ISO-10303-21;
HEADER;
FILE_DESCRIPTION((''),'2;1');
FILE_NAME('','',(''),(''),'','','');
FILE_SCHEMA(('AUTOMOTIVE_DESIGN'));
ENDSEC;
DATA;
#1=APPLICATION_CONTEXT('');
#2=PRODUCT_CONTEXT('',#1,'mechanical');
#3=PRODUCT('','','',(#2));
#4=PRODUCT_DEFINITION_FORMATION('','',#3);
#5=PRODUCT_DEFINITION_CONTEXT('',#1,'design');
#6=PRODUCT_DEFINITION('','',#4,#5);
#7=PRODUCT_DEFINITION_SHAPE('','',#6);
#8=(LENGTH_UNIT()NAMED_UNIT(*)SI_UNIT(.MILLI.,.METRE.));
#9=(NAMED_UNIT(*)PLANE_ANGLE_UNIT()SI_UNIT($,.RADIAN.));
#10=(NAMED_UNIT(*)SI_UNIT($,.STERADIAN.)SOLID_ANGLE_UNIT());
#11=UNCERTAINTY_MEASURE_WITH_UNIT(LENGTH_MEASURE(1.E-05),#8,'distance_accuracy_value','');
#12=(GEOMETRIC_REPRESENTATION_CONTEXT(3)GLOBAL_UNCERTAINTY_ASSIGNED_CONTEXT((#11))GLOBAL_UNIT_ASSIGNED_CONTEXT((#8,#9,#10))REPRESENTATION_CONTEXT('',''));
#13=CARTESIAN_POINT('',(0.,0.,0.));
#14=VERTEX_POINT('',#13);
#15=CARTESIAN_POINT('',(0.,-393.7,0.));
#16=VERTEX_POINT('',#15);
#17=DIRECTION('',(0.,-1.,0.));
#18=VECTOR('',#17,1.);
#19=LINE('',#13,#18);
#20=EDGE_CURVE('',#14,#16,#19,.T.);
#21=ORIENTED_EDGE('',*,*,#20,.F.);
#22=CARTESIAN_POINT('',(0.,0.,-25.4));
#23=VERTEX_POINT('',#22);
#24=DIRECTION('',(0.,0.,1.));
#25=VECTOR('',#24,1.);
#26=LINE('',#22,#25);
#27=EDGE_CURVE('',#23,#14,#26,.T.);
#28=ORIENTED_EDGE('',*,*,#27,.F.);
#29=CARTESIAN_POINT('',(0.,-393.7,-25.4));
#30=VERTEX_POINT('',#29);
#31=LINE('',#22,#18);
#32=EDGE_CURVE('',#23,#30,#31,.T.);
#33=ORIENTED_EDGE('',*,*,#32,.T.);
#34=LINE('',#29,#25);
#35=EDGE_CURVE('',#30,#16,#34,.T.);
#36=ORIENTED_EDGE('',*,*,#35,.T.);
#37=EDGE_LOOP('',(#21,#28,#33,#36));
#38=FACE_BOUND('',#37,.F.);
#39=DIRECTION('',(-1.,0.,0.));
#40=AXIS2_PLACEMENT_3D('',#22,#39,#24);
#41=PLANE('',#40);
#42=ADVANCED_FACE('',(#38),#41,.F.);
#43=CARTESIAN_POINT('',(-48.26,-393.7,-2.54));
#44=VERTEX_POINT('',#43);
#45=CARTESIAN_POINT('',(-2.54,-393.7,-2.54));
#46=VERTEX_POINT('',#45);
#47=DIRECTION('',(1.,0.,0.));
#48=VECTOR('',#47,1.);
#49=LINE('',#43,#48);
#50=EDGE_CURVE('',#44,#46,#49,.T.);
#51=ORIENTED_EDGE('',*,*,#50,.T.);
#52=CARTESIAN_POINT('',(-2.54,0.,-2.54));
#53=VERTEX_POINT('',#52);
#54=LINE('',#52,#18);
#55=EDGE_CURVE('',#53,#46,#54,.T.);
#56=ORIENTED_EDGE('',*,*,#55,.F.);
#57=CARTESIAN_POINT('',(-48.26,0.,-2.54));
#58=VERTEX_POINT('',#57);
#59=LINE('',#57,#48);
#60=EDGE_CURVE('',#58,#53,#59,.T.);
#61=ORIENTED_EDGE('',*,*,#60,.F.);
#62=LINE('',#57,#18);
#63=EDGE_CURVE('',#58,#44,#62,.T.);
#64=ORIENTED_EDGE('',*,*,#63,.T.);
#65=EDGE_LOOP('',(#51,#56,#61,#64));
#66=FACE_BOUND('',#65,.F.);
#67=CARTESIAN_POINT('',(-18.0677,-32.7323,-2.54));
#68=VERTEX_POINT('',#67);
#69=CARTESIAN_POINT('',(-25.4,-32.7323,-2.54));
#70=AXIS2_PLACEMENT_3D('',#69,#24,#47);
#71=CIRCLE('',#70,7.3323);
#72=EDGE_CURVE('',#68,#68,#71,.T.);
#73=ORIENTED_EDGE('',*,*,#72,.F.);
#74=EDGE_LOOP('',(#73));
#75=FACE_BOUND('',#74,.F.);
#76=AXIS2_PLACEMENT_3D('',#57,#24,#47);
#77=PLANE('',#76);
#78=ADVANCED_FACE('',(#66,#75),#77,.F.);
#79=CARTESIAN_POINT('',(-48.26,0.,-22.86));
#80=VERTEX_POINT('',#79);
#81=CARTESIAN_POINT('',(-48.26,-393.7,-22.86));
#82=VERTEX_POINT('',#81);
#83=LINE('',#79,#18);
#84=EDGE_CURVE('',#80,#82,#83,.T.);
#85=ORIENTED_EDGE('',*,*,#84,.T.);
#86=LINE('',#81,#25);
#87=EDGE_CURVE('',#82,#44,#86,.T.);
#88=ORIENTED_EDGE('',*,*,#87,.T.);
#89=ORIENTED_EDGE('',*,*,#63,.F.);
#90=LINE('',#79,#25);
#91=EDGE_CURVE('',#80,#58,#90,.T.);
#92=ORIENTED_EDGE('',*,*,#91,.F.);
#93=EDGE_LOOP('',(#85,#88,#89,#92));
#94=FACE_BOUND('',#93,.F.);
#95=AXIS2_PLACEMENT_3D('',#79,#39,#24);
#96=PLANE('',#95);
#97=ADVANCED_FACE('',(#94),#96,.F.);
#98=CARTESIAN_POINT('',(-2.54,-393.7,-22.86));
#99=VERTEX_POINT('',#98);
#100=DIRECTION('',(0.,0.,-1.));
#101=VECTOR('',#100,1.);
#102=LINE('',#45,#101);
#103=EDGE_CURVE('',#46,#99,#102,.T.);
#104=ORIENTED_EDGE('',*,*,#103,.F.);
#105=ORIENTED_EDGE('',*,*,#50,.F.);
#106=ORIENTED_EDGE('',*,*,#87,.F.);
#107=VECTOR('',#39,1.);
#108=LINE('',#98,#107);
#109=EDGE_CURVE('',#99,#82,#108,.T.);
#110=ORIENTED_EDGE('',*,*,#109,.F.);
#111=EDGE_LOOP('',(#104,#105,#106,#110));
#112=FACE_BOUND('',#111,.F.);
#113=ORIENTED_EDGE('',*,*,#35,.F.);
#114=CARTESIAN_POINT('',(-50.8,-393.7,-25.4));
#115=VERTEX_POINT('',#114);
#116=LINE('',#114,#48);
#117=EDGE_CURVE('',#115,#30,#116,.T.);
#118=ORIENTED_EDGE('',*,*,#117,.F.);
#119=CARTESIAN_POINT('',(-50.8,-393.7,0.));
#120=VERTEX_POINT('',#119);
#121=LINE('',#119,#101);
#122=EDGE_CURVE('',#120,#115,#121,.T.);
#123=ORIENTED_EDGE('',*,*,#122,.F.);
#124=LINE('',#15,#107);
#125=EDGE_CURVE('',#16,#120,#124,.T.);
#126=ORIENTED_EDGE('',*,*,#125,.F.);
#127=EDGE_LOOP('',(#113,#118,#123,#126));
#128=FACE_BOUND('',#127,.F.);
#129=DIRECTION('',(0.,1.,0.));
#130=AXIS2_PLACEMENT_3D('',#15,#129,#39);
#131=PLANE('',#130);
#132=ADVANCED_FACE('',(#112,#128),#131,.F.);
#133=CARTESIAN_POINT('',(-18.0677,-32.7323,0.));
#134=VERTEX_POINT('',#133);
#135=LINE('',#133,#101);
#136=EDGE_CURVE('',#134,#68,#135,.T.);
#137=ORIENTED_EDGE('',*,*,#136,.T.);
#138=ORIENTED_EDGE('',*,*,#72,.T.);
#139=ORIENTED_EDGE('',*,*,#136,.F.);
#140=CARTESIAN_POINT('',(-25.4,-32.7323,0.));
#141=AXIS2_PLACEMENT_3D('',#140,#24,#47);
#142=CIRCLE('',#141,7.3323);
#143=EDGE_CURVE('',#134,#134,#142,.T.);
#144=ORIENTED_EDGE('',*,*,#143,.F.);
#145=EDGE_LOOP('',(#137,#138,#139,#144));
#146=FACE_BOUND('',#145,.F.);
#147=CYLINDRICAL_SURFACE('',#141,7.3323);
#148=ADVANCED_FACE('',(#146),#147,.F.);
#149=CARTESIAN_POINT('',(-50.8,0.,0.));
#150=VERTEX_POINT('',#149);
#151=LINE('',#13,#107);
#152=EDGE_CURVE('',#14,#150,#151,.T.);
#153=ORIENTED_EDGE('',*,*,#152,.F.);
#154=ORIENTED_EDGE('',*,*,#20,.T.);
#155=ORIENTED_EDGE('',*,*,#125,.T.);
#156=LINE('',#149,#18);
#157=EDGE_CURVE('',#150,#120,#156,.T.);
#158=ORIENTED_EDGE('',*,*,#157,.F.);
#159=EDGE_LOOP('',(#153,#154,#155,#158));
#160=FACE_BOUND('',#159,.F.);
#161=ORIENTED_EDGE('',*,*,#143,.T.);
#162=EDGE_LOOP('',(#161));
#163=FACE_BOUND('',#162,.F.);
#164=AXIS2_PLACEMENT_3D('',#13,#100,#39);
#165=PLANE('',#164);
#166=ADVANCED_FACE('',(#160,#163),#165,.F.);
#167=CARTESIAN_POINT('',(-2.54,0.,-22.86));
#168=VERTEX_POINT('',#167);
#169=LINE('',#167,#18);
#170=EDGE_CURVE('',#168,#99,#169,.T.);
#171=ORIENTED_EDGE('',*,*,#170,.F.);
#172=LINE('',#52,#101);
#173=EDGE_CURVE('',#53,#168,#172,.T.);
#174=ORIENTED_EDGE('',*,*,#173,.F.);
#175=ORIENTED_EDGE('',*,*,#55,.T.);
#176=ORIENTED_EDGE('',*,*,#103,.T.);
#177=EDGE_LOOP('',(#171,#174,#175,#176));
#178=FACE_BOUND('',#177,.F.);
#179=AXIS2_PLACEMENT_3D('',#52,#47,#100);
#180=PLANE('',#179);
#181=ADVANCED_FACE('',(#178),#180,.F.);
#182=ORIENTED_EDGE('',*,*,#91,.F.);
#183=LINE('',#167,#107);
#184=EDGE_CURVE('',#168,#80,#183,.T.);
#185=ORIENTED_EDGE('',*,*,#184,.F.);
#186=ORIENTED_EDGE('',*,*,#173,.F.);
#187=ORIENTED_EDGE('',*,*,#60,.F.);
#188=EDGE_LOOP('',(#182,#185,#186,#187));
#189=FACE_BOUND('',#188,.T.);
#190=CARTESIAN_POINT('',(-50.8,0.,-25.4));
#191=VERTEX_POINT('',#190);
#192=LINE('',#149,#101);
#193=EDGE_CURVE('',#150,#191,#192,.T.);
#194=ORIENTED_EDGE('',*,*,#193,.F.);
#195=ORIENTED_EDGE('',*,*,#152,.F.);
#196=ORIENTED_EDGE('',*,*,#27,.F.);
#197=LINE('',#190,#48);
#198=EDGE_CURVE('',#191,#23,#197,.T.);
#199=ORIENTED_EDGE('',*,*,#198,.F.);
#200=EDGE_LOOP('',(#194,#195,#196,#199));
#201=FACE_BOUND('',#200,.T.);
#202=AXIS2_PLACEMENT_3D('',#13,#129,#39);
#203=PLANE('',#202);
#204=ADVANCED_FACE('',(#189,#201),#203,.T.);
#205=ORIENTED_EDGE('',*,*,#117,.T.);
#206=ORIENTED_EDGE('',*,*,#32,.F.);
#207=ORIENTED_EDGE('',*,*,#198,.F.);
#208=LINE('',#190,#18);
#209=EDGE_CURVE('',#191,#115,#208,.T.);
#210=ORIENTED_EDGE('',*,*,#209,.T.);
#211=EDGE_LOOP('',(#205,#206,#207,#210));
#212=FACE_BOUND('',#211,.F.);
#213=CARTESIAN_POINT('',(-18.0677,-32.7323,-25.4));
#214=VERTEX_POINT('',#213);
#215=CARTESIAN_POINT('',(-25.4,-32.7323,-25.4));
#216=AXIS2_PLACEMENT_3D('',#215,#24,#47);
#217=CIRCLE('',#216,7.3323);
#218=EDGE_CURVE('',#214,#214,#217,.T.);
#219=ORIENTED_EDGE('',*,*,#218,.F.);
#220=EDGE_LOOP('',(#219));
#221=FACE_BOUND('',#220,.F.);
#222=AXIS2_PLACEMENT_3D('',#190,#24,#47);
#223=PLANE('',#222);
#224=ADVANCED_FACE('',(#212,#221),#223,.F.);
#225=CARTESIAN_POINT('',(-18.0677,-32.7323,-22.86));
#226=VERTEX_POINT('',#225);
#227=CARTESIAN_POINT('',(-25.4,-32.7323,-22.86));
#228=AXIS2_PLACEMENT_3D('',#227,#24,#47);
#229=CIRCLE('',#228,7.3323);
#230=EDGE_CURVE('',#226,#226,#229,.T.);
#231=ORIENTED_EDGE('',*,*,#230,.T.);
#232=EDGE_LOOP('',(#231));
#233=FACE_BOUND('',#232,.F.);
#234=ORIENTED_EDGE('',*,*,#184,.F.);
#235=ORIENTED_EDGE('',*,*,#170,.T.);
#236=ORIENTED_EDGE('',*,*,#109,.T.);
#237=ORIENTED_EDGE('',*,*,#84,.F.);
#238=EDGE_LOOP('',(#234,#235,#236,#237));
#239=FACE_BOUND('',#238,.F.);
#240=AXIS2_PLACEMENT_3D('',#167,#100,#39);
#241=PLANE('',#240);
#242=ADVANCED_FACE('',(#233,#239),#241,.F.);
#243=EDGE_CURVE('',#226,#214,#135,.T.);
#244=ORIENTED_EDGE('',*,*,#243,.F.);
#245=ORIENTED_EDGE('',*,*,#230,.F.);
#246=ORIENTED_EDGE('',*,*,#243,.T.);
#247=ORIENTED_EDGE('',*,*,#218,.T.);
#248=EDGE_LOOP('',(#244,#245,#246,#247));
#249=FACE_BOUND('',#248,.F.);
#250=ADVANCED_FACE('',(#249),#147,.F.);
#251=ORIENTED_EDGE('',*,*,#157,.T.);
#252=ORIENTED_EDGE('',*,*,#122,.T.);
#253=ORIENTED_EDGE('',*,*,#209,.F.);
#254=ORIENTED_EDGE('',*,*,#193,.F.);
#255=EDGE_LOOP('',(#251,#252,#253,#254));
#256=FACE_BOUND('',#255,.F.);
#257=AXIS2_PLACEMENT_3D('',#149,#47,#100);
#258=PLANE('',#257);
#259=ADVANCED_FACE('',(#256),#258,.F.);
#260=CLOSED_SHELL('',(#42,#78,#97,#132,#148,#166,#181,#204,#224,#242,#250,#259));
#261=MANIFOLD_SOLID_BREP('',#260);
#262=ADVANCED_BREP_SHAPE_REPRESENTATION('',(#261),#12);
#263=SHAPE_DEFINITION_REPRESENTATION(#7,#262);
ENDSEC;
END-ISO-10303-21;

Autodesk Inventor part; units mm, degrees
ref_plane "YZ Plane" through (0, 0, 0) normal (1, 0, 0) x (0, 1, 0)
ref_plane "XZ Plane" through (0, 0, 0) normal (0, 1, 0) x (-1, 0, 0)
ref_plane "XY Plane" through (0, 0, 0) normal (0, 0, 1) x (1, 0, 0)
sketch "Sketch1" plane through (0, 0, 0) normal (0, 1, 0) x (-1, 0, 0)
  line L0 (0, 0) -> (50.8, 0)
  line L1 (50.8, 0) -> (50.8, -25.4)
  line L2 (50.8, -25.4) -> (0, -25.4)
  line L3 (0, -25.4) -> (0, 0)
  line L4 (2.54, -22.86) -> (48.26, -22.86)
  line L5 (48.26, -22.86) -> (48.26, -2.54)
  line L6 (48.26, -2.54) -> (2.54, -2.54)
  line L7 (2.54, -2.54) -> (2.54, -22.86)
  dimension "d0" = 50.8
  dimension "d1" = 25.4
  dimension "d2" = 2.54
extrude "Extrusion1" add sketch "Sketch1" against normal blind 393.7
sketch "Sketch2" plane through (-50.8, 0, 0) normal (0, 0, 1) x (1, 0, 0)
  circle A0 centre (25.4, -32.7323) radius 7.3323 projected
  line L0 (50.8, -279.4) -> (0, -279.4) projected
  line L1 (50.8, -279.4) -> (50.8, 0) projected
  line L2 (0, 0) -> (50.8, 0) projected
  line L3 (0, -279.4) -> (0, 0) projected
  circle A1 centre (25.4, -32.7323) radius 7.3323
extrude "Extrusion2" cut sketch "Sketch2" against normal through all contours A0
properties part number "Aluminum channel pivot mount"
